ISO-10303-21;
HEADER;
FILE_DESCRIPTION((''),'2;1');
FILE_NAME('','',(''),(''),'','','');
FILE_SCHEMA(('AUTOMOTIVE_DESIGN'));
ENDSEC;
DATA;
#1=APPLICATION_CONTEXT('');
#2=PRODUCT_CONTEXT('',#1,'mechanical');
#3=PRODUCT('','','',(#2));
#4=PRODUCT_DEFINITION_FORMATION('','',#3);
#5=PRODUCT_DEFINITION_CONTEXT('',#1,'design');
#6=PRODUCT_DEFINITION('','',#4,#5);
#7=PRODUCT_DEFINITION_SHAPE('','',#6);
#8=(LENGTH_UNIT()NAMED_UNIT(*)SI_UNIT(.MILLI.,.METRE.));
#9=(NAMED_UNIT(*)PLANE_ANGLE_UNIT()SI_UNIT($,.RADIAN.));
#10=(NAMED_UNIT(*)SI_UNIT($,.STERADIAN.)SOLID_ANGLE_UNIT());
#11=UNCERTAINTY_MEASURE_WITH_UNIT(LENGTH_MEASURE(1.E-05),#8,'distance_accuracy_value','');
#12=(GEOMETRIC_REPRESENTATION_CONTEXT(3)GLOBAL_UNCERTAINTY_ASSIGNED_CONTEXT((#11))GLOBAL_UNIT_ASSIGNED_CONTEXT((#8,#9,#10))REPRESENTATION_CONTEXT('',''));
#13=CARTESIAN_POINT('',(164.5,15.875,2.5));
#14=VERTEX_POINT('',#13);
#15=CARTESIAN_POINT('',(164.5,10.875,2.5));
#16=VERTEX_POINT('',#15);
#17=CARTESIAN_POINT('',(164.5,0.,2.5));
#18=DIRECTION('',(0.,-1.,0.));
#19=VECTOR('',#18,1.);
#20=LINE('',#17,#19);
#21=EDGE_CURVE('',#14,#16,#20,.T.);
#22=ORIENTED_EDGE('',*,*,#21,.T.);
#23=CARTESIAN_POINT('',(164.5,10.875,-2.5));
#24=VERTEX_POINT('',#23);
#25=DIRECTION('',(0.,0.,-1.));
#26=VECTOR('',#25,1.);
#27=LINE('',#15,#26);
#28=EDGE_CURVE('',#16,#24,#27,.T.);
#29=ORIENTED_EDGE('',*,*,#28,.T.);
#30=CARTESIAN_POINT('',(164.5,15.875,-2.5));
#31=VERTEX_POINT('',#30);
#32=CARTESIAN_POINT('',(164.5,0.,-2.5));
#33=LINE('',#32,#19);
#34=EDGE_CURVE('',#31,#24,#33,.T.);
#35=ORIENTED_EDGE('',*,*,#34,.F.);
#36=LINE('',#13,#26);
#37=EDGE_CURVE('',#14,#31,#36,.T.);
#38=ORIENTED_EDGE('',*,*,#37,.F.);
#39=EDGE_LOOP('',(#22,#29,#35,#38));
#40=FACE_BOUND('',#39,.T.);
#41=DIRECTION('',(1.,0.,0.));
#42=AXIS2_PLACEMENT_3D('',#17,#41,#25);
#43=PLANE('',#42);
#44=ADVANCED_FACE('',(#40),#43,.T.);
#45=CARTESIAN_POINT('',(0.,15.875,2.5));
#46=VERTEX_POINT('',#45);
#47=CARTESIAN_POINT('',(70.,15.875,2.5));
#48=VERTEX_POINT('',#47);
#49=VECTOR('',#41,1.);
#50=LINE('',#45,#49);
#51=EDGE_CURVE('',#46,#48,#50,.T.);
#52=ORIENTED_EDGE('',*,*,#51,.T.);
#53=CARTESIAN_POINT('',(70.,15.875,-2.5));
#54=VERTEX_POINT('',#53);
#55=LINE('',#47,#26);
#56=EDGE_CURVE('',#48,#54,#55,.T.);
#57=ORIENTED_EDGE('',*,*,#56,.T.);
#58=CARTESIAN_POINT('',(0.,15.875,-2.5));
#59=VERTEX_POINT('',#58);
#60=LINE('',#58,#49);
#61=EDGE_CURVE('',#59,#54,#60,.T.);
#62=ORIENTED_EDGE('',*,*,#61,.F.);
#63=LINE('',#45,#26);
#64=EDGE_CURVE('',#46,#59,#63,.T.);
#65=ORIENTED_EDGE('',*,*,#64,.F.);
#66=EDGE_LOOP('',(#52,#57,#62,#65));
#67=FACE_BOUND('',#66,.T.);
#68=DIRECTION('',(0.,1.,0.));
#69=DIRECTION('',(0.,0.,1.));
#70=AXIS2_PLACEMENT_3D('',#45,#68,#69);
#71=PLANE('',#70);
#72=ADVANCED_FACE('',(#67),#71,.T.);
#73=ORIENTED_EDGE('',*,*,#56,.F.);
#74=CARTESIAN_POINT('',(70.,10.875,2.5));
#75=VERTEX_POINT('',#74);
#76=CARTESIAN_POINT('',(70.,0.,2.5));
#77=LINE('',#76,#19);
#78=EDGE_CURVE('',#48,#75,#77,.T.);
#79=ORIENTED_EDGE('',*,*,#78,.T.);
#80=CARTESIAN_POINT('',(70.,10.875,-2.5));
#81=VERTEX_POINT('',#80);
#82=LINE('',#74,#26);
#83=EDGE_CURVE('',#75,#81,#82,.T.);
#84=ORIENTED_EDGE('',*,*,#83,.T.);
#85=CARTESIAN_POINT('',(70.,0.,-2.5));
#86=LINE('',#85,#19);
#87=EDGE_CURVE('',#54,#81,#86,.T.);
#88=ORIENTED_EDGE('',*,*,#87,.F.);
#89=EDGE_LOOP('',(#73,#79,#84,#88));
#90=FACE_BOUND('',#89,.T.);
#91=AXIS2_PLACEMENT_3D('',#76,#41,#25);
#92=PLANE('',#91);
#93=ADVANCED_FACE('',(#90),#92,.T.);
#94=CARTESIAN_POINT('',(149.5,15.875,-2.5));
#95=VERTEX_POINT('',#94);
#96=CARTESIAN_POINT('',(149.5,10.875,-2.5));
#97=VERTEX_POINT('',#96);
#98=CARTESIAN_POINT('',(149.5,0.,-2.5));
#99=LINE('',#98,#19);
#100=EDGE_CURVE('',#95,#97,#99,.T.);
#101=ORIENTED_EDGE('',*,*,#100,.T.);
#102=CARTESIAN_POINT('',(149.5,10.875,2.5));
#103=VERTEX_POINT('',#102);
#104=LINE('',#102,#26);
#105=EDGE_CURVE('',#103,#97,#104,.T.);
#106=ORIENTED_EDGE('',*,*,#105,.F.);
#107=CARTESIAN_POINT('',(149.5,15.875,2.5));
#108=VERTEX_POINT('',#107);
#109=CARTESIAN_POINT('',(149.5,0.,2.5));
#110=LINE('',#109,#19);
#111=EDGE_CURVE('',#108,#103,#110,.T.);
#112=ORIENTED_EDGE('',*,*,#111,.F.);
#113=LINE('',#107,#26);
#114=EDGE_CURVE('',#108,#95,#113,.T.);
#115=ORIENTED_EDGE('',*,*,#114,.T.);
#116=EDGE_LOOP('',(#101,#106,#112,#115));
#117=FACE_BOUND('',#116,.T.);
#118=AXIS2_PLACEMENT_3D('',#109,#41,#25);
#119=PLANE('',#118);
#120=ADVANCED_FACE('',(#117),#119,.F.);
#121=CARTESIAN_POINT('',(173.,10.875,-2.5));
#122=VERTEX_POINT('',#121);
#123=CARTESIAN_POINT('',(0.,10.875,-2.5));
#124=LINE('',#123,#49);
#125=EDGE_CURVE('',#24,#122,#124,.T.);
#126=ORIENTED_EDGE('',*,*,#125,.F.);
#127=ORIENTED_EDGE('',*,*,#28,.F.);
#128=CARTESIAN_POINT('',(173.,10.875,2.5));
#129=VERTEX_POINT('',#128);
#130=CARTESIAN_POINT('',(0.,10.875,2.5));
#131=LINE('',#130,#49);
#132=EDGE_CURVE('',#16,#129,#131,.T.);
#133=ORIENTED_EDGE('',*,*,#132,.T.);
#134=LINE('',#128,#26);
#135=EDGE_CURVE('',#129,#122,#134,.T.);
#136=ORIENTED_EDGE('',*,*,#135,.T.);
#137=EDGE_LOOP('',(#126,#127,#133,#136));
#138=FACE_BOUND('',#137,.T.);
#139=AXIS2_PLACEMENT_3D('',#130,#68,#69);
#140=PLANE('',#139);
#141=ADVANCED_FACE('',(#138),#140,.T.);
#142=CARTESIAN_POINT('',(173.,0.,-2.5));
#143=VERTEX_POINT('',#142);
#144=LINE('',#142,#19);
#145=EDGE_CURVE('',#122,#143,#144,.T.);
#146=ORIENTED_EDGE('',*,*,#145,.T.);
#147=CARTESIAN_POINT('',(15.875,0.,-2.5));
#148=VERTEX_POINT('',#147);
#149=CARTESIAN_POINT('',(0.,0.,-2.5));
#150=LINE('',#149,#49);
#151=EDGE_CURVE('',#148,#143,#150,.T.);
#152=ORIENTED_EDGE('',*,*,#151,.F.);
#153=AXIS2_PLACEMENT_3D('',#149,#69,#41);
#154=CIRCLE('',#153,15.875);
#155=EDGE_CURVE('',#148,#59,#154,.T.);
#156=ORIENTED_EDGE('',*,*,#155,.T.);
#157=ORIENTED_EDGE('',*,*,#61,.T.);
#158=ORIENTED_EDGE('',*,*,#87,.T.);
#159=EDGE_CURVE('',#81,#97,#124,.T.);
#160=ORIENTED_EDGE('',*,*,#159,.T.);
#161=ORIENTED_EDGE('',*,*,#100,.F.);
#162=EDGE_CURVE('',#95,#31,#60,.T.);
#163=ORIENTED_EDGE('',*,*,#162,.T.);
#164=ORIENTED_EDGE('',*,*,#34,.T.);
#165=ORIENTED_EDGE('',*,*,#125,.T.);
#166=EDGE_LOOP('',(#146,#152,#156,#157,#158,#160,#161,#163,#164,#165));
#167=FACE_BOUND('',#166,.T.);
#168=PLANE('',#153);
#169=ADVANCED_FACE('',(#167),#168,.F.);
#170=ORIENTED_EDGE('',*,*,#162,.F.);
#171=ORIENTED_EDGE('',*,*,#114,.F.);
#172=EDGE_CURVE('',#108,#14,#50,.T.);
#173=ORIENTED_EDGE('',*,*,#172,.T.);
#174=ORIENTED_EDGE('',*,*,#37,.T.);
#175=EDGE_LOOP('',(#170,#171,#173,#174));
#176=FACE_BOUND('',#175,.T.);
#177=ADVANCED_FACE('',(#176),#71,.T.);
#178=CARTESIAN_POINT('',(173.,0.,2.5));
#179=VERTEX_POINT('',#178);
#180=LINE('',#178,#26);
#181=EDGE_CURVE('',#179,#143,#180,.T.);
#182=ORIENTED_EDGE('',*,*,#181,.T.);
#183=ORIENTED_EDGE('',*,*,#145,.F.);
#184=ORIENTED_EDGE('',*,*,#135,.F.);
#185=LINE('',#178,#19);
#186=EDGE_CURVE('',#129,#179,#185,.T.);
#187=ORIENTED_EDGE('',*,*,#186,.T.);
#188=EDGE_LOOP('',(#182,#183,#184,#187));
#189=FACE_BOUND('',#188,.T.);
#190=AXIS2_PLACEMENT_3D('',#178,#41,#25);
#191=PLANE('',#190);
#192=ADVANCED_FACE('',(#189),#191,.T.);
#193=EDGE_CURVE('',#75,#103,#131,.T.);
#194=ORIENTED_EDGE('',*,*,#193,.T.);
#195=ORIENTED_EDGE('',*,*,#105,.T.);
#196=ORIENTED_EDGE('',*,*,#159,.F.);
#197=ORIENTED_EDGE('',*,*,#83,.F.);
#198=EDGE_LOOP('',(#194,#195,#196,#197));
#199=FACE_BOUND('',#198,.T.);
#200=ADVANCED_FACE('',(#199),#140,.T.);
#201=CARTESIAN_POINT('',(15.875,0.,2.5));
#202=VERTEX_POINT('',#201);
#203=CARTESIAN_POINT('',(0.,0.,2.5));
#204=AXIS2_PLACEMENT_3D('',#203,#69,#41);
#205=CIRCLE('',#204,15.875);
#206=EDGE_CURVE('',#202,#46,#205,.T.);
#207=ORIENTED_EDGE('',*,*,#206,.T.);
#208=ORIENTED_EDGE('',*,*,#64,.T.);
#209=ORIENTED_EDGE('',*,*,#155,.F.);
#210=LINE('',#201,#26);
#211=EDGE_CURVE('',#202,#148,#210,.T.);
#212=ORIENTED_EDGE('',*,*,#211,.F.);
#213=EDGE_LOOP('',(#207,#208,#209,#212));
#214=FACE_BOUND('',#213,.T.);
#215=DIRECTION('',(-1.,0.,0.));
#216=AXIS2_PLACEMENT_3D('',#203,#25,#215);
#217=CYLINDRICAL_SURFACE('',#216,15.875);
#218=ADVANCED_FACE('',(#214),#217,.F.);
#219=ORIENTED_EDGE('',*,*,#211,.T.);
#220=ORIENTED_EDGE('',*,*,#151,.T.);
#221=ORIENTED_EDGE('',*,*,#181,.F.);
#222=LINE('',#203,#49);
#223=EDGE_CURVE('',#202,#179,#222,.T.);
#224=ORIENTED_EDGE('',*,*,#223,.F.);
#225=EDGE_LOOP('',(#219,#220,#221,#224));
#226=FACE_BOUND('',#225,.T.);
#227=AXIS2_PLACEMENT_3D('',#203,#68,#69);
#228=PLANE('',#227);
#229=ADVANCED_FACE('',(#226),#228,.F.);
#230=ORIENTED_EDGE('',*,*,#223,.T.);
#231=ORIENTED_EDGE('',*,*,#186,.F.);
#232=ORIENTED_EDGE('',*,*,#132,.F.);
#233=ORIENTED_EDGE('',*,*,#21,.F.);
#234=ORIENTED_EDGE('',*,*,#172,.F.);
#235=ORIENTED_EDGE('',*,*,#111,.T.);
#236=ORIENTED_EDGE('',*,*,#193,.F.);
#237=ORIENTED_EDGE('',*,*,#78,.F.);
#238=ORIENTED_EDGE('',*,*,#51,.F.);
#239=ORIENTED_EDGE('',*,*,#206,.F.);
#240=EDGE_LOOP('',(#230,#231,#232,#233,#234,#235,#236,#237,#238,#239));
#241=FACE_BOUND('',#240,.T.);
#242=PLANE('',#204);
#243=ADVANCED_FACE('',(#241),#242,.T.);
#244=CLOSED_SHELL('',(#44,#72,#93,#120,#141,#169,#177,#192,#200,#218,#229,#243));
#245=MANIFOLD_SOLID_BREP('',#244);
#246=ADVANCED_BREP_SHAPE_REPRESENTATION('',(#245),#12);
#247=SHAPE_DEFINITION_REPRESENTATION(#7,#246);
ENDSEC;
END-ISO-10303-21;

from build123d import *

# Parameters (mm, degrees)
BOSS_EXTRUDE1_DEPTH = 2.5


with BuildPart() as part:
    # Sketch1 → Boss-Extrude1 (new, symmetric)
    with BuildSketch(Plane.XY):
        with BuildLine():
            ThreePointArc((0, 15.875), (11.225320151, 11.225320151), (15.875, 0))
            Line((15.875, 0), (173, 0))
            Line((173, 0), (173, 10.875))
            Line((173, 10.875), (164.5, 10.875))
            Line((164.5, 10.875), (164.5, 15.875))
            Line((164.5, 15.875), (149.5, 15.875))
            Line((149.5, 15.875), (149.5, 10.875))
            Line((149.5, 10.875), (70, 10.875))
            Line((70, 10.875), (70, 15.875))
            Line((70, 15.875), (0, 15.875))
        make_face()
    extrude(amount=BOSS_EXTRUDE1_DEPTH, both=True)


solid = part.part
